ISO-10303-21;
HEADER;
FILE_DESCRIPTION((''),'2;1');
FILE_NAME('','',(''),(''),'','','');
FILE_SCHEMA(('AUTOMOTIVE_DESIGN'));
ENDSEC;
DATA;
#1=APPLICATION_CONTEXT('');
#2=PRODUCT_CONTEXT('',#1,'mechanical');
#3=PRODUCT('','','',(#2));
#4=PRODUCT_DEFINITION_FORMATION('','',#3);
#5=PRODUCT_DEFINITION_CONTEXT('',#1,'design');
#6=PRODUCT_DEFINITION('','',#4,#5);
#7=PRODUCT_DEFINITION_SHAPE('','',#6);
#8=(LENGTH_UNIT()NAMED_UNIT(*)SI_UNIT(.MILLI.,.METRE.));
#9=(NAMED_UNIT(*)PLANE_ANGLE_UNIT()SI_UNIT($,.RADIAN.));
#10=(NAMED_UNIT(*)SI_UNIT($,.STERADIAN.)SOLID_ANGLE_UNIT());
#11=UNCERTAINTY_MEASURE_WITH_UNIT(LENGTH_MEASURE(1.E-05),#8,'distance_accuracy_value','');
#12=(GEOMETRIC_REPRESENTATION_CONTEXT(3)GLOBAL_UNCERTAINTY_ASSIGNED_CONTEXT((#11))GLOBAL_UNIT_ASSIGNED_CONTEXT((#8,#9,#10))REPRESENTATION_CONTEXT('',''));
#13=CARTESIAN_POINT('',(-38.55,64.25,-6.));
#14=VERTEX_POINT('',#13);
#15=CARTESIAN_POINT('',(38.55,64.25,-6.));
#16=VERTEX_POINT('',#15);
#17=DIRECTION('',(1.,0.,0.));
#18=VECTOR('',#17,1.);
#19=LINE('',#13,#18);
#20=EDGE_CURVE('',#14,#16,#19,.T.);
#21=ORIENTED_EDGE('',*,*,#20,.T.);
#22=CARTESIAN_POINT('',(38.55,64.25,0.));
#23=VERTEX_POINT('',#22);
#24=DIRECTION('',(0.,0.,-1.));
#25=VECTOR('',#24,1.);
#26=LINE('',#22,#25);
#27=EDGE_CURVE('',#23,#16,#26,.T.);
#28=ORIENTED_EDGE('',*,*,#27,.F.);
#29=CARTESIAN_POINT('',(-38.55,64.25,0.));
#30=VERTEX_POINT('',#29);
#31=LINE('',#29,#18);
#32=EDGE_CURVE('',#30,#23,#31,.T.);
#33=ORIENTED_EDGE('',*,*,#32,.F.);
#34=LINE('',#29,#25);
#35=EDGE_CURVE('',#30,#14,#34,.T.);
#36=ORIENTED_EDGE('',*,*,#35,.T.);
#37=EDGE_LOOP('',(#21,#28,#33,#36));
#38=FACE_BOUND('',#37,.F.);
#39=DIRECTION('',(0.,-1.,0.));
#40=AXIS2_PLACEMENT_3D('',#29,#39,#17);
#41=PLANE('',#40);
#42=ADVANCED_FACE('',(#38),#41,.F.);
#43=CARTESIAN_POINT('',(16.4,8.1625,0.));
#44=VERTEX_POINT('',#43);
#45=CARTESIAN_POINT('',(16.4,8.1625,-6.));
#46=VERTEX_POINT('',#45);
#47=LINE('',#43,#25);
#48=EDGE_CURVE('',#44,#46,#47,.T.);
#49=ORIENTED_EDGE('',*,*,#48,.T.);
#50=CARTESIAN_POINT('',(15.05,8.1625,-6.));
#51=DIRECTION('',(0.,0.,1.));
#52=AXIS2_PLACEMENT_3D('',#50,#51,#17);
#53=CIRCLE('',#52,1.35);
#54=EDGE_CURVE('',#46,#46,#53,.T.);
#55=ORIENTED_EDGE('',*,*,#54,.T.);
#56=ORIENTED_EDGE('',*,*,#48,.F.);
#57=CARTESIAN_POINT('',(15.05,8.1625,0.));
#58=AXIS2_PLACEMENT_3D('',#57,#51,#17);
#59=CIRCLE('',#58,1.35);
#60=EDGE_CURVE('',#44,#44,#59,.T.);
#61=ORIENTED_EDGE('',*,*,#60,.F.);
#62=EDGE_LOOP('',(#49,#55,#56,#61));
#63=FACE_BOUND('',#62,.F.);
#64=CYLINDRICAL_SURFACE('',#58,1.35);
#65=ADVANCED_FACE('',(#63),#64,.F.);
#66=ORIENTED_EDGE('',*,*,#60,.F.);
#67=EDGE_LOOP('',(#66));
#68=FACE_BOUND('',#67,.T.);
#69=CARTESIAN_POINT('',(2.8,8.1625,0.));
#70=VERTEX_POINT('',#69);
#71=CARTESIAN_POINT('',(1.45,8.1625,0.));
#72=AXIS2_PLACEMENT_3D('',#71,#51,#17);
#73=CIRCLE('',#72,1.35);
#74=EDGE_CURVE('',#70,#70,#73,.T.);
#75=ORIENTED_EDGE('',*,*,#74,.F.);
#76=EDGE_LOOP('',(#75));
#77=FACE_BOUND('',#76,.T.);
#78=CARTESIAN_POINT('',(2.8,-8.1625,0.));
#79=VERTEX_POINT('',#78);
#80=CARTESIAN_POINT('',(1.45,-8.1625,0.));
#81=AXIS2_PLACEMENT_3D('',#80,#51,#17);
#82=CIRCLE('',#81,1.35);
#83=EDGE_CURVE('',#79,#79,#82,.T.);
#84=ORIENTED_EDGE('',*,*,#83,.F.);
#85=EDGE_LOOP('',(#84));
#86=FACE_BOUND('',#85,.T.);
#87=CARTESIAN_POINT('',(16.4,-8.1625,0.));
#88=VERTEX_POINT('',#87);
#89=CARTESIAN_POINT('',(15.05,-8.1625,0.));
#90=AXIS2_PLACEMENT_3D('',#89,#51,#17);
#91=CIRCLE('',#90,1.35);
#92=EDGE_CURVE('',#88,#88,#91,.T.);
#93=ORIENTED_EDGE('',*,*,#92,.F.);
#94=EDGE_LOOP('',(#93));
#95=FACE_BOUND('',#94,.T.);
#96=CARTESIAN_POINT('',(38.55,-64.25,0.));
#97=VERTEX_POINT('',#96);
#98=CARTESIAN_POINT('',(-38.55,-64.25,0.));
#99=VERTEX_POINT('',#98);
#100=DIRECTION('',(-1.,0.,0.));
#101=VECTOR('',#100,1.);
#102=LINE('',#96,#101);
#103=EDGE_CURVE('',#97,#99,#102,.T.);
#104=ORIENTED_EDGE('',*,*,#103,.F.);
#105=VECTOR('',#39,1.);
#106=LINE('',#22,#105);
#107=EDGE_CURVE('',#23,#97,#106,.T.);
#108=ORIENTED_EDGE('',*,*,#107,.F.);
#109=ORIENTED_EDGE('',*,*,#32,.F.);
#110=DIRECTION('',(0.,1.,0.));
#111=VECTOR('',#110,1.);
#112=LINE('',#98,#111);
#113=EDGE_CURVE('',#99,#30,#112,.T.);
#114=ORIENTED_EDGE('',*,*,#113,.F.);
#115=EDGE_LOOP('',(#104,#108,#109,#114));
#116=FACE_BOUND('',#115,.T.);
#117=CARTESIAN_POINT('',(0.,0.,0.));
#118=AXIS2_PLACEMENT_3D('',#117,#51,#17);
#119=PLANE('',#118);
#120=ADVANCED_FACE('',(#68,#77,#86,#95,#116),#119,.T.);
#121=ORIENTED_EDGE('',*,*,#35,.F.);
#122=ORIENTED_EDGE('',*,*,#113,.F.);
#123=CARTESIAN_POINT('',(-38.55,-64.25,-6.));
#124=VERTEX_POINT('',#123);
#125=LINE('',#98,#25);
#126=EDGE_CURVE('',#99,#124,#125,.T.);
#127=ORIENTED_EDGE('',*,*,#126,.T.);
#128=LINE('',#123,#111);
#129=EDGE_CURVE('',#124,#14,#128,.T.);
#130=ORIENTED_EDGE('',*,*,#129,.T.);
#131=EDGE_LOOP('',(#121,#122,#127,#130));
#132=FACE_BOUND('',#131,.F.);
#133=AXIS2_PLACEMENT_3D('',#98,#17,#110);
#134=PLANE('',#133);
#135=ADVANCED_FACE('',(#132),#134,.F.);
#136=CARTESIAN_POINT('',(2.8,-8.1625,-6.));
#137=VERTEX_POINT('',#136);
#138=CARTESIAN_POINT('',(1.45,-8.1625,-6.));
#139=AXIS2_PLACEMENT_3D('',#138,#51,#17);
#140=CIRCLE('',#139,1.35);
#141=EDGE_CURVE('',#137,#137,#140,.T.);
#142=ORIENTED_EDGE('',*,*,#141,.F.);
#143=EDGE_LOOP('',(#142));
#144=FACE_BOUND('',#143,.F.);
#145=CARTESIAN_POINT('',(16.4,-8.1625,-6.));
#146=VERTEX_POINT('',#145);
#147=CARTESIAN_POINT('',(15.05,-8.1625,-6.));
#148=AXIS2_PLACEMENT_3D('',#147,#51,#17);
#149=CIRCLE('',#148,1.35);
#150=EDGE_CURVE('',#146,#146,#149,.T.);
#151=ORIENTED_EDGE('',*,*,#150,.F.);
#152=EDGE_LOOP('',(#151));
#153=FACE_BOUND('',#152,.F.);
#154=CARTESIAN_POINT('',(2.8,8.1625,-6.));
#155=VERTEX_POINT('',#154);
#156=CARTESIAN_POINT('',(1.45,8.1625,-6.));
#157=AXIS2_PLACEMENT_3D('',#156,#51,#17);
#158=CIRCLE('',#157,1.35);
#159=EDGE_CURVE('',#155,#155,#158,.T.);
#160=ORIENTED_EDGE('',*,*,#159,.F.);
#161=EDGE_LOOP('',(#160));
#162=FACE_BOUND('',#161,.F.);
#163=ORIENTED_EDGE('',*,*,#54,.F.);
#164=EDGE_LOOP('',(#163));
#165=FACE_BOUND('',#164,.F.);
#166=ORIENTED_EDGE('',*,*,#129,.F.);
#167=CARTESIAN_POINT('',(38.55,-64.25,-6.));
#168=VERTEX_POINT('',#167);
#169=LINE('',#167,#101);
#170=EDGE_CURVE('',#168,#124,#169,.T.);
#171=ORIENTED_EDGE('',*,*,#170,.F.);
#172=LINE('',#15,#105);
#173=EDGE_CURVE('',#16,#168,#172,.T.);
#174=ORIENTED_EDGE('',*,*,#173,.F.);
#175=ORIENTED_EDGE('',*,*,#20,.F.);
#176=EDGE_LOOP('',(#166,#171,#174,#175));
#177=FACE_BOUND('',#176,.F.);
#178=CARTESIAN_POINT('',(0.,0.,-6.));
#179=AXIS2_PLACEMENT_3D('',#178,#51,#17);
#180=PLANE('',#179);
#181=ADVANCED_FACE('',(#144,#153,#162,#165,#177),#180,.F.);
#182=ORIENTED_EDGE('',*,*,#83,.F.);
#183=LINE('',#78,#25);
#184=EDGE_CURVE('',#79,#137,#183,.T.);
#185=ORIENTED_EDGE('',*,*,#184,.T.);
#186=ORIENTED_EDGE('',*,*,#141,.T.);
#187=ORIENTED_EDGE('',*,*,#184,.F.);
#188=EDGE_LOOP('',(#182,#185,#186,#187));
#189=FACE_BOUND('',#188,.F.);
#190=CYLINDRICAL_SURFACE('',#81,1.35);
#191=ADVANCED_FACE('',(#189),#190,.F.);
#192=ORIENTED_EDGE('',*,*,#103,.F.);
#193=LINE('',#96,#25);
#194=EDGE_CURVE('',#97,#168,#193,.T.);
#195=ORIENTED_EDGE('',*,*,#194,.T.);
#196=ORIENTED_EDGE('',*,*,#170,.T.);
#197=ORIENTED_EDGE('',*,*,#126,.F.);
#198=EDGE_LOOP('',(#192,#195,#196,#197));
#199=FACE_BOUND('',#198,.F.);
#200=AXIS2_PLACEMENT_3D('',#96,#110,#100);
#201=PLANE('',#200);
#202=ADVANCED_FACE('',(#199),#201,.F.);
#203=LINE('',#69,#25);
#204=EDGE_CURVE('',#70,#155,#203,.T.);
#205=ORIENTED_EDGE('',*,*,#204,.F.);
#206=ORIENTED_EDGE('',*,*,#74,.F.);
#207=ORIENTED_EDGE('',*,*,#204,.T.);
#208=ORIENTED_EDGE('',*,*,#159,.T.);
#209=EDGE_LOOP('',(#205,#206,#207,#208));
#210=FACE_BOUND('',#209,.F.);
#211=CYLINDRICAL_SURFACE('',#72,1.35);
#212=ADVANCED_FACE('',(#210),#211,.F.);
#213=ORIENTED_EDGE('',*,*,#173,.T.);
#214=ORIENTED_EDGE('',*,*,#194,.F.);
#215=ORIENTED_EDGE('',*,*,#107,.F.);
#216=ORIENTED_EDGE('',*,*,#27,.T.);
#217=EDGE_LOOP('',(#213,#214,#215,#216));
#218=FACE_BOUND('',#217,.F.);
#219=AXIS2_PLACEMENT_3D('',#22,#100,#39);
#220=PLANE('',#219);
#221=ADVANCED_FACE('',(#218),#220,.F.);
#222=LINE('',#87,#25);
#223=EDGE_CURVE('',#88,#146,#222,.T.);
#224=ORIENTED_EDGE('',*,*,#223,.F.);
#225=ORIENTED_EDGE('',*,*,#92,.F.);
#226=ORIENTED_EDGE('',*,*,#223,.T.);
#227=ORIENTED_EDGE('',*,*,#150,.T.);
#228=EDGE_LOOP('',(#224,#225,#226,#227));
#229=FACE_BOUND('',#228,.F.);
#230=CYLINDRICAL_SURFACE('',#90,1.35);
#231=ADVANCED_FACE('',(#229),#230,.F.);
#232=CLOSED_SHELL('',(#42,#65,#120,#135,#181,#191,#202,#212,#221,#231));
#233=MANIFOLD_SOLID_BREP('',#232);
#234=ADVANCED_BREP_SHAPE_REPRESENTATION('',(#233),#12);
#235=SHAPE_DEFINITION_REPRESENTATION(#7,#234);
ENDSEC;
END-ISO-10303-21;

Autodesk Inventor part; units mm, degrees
ref_plane "YZ Plane" through (0, 0, 0) normal (1, 0, 0) x (0, 1, 0)
ref_plane "XZ Plane" through (0, 0, 0) normal (0, 1, 0) x (-1, 0, 0)
ref_plane "XY Plane" through (0, 0, 0) normal (0, 0, 1) x (1, 0, 0)
sketch "스케치1" plane through (0, 0, 0) normal (0, 0, 1) x (1, 0, 0)
  circle A0 centre (15.05, -8.1625) radius 1.35 projected
  circle A1 centre (1.45, -8.1625) radius 1.35 projected
  circle A2 centre (15.05, 8.1625) radius 1.35 projected
  circle A3 centre (1.45, 8.1625) radius 1.35 projected
  line L0 (38.55, -64.25) -> (-38.55, -64.25) projected
  line L1 (38.55, 64.25) -> (38.55, -64.25) projected
  line L2 (-38.55, 64.25) -> (38.55, 64.25) projected
  line L3 (-38.55, -64.25) -> (-38.55, 64.25) projected
  point P0 (0, 0)
extrude "돌출1" add sketch "스케치1" against normal blind 6
properties part number "foot" material "PMMA 플라스틱"
